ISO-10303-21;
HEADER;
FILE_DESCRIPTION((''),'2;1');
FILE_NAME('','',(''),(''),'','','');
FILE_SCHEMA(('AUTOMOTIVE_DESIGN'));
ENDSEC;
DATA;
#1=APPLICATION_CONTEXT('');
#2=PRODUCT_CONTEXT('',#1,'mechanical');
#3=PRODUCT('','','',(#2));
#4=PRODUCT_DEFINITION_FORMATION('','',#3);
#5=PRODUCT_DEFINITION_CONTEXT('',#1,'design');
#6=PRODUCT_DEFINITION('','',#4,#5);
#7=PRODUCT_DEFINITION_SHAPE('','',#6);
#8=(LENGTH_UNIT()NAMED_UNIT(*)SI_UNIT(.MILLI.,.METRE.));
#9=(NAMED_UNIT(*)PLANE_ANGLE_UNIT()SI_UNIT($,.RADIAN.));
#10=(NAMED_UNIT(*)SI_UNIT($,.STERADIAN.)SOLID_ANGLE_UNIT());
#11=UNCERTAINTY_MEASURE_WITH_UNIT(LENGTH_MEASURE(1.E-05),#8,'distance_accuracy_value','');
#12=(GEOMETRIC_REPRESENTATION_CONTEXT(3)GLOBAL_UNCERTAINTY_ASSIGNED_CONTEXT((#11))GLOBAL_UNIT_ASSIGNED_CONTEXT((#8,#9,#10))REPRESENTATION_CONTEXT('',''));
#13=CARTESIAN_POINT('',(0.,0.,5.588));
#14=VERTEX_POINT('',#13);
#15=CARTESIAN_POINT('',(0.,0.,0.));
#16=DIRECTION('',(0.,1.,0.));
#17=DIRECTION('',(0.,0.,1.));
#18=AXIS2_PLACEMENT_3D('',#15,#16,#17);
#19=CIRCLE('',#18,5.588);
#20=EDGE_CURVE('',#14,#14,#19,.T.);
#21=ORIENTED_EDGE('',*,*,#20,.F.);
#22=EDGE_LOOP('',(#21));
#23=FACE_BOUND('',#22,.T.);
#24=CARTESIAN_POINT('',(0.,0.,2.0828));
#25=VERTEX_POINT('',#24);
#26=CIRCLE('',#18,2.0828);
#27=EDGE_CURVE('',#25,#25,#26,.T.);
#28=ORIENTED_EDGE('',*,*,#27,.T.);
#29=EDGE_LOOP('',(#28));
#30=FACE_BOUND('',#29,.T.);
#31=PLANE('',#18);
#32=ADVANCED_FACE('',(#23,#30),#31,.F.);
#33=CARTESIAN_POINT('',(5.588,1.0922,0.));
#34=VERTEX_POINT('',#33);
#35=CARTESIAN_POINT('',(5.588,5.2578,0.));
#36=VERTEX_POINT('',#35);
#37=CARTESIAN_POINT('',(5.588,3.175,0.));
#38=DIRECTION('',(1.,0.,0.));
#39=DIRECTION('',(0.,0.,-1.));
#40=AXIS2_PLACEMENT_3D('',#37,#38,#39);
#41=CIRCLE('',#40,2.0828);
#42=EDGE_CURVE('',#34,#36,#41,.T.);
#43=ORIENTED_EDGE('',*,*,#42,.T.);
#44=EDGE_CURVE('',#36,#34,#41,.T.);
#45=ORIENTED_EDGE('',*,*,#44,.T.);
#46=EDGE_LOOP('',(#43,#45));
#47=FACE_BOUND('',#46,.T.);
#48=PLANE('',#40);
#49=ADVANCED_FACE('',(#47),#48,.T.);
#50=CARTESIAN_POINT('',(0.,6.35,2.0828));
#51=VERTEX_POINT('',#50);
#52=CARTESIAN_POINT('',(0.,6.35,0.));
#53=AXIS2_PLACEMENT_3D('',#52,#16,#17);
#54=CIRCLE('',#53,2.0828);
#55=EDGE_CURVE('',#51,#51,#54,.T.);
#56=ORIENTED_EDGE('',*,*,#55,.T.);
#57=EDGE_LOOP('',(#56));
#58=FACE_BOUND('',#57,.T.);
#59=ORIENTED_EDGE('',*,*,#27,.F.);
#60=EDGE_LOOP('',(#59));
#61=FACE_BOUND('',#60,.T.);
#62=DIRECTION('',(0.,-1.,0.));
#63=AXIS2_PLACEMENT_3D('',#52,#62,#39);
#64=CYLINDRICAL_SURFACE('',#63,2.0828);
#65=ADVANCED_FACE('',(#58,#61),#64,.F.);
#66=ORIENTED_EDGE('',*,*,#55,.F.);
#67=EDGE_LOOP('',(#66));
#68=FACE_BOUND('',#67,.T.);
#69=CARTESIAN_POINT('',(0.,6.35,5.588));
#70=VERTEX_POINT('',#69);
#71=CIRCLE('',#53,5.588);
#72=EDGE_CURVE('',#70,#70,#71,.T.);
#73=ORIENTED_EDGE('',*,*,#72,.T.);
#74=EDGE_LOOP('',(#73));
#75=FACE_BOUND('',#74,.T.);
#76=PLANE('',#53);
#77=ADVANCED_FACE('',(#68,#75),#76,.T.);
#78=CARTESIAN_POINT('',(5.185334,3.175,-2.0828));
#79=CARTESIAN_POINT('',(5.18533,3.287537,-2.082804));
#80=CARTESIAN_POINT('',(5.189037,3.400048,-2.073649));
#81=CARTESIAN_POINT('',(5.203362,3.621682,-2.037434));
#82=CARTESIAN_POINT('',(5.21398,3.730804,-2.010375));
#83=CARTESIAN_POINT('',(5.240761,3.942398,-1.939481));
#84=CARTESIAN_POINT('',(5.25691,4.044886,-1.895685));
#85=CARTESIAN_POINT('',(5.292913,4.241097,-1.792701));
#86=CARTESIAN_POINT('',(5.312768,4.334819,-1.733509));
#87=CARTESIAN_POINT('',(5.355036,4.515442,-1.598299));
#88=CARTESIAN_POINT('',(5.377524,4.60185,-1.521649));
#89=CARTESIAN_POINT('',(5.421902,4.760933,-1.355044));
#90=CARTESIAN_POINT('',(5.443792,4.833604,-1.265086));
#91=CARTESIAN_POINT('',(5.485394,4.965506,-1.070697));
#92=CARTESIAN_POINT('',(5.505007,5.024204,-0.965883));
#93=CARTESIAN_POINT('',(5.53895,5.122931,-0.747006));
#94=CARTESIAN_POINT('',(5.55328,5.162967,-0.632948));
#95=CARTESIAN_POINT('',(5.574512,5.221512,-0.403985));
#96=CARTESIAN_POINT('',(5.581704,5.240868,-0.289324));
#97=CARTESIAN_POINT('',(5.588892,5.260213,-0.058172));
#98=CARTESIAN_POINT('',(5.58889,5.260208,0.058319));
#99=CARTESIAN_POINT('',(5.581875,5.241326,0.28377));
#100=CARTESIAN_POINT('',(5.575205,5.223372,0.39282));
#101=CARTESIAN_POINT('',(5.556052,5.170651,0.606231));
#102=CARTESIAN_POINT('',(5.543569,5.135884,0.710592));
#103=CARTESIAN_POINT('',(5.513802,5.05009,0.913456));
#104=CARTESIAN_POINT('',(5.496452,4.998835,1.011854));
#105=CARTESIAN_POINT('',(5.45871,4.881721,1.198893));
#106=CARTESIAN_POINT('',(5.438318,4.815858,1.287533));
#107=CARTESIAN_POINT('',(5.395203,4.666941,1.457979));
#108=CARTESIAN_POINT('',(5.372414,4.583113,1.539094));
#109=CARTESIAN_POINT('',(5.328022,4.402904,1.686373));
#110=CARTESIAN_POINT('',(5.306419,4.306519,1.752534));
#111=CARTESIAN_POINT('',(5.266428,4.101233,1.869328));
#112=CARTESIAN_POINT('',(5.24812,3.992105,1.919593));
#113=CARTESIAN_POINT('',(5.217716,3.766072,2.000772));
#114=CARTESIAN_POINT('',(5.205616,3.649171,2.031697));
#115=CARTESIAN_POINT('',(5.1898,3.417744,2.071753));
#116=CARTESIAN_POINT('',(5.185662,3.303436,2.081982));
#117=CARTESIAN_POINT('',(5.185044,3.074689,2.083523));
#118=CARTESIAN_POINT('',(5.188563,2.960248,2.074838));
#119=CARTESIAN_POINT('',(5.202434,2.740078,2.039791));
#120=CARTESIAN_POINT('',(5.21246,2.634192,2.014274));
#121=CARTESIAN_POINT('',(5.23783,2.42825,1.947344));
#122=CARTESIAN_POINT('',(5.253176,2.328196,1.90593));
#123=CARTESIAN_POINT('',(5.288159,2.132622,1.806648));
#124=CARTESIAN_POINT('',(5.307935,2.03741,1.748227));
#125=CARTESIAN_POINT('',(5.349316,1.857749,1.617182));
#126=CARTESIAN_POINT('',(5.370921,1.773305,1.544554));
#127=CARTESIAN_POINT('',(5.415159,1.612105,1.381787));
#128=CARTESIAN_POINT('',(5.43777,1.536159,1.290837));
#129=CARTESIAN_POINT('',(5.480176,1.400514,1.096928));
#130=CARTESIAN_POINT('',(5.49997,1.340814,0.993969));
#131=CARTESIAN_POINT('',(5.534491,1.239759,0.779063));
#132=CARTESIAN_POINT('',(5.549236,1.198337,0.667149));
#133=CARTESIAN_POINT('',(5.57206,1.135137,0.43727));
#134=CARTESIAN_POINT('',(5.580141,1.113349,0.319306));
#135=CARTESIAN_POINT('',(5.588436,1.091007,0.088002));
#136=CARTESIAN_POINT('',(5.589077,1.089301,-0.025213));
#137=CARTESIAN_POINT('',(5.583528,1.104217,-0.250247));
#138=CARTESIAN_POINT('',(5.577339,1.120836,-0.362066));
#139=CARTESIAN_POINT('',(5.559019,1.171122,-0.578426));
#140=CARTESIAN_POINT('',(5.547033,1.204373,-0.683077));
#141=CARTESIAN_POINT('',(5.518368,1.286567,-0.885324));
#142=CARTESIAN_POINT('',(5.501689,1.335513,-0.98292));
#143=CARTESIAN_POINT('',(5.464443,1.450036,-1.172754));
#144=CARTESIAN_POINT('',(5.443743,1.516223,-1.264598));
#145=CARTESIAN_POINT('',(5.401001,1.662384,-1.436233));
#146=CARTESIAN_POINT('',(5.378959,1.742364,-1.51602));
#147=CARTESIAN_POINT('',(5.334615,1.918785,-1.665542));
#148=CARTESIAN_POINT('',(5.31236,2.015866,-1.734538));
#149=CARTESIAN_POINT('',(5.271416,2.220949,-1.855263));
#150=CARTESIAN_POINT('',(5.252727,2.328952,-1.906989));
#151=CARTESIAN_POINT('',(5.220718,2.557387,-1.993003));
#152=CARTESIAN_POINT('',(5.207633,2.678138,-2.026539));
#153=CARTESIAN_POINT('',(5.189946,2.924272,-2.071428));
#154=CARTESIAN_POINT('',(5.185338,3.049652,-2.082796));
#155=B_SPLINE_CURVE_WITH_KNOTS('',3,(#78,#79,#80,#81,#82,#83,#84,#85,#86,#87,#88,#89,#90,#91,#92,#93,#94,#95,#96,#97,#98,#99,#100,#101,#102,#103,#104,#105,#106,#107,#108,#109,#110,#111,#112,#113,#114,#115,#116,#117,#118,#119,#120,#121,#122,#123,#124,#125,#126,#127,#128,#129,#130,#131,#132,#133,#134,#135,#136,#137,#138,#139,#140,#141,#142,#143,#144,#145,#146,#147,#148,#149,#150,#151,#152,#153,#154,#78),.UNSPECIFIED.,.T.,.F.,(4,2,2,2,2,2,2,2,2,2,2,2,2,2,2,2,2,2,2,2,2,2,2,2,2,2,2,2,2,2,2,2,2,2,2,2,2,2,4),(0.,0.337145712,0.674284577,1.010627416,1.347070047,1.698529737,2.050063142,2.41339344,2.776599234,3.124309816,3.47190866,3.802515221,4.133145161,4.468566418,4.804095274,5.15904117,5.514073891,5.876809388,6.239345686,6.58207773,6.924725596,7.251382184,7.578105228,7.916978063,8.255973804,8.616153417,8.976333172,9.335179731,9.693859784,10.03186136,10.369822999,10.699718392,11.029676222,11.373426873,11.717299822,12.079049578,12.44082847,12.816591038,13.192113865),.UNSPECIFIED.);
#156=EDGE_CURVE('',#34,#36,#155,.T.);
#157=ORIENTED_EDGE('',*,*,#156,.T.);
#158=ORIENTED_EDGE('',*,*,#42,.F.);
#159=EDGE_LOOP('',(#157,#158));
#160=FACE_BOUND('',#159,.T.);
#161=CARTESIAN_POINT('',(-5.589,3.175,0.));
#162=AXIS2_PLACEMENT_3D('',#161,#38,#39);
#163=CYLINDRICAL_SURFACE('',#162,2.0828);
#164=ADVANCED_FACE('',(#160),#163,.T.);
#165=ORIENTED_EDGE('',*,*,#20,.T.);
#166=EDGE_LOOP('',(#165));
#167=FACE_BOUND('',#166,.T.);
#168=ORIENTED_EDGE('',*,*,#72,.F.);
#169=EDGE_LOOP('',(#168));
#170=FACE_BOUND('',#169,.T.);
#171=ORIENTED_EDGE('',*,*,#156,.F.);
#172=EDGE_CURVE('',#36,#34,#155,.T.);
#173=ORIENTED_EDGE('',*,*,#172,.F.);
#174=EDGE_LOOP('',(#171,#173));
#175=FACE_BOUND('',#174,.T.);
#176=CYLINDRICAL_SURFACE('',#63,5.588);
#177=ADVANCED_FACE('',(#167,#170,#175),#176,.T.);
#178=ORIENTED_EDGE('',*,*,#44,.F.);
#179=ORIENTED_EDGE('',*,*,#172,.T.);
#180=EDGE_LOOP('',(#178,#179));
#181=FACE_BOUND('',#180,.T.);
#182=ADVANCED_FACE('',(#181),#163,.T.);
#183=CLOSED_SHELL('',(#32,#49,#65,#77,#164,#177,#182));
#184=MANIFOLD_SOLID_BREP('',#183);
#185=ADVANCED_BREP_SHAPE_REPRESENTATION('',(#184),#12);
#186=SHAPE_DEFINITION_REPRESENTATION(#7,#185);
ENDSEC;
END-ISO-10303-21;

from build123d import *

# Parameters (mm, degrees)
SKETCH1_R           = 5.588
SKETCH1_R_2         = 2.0828
BOSS_EXTRUDE1_DEPTH = 6.35
BOSS_EXTRUDE2_REACH = 16.016
SKETCH3_R           = 2.0828


with BuildPart() as part:
    # Sketch1 → Boss-Extrude1 (new body)
    with BuildSketch(Plane(origin=(0, 0, 0), x_dir=(1, 0, 0), z_dir=(0, 1, 0))):
        with Locations(Location((0, 0, 0), (0, 0, 270))):
            Circle(SKETCH1_R)
        with Locations(Location((0, 0, 0), (0, 0, 270))):
            Circle(SKETCH1_R_2, mode=Mode.SUBTRACT)
    extrude(amount=BOSS_EXTRUDE1_DEPTH)

    # Sketch3 → Boss-Extrude2 (add, up to next)
    with BuildSketch(Plane(origin=(5.588, 0, 0), x_dir=(0, 0, -1), z_dir=(1, 0, 0)), mode=Mode.PRIVATE) as boss_extrude2_sk1:
        with Locations((0, 3.175)):
            Circle(SKETCH3_R)
    boss_extrude2_tool1 = extrude(boss_extrude2_sk1.sketch, amount=-BOSS_EXTRUDE2_REACH, mode=Mode.PRIVATE) - part.part
    add(boss_extrude2_tool1.solids().sort_by_distance((5.588, 3.175, 0))[0])
    add(boss_extrude2_tool1.solids().sort_by_distance((5.588, 3.175, 0))[1])


solid = part.part
